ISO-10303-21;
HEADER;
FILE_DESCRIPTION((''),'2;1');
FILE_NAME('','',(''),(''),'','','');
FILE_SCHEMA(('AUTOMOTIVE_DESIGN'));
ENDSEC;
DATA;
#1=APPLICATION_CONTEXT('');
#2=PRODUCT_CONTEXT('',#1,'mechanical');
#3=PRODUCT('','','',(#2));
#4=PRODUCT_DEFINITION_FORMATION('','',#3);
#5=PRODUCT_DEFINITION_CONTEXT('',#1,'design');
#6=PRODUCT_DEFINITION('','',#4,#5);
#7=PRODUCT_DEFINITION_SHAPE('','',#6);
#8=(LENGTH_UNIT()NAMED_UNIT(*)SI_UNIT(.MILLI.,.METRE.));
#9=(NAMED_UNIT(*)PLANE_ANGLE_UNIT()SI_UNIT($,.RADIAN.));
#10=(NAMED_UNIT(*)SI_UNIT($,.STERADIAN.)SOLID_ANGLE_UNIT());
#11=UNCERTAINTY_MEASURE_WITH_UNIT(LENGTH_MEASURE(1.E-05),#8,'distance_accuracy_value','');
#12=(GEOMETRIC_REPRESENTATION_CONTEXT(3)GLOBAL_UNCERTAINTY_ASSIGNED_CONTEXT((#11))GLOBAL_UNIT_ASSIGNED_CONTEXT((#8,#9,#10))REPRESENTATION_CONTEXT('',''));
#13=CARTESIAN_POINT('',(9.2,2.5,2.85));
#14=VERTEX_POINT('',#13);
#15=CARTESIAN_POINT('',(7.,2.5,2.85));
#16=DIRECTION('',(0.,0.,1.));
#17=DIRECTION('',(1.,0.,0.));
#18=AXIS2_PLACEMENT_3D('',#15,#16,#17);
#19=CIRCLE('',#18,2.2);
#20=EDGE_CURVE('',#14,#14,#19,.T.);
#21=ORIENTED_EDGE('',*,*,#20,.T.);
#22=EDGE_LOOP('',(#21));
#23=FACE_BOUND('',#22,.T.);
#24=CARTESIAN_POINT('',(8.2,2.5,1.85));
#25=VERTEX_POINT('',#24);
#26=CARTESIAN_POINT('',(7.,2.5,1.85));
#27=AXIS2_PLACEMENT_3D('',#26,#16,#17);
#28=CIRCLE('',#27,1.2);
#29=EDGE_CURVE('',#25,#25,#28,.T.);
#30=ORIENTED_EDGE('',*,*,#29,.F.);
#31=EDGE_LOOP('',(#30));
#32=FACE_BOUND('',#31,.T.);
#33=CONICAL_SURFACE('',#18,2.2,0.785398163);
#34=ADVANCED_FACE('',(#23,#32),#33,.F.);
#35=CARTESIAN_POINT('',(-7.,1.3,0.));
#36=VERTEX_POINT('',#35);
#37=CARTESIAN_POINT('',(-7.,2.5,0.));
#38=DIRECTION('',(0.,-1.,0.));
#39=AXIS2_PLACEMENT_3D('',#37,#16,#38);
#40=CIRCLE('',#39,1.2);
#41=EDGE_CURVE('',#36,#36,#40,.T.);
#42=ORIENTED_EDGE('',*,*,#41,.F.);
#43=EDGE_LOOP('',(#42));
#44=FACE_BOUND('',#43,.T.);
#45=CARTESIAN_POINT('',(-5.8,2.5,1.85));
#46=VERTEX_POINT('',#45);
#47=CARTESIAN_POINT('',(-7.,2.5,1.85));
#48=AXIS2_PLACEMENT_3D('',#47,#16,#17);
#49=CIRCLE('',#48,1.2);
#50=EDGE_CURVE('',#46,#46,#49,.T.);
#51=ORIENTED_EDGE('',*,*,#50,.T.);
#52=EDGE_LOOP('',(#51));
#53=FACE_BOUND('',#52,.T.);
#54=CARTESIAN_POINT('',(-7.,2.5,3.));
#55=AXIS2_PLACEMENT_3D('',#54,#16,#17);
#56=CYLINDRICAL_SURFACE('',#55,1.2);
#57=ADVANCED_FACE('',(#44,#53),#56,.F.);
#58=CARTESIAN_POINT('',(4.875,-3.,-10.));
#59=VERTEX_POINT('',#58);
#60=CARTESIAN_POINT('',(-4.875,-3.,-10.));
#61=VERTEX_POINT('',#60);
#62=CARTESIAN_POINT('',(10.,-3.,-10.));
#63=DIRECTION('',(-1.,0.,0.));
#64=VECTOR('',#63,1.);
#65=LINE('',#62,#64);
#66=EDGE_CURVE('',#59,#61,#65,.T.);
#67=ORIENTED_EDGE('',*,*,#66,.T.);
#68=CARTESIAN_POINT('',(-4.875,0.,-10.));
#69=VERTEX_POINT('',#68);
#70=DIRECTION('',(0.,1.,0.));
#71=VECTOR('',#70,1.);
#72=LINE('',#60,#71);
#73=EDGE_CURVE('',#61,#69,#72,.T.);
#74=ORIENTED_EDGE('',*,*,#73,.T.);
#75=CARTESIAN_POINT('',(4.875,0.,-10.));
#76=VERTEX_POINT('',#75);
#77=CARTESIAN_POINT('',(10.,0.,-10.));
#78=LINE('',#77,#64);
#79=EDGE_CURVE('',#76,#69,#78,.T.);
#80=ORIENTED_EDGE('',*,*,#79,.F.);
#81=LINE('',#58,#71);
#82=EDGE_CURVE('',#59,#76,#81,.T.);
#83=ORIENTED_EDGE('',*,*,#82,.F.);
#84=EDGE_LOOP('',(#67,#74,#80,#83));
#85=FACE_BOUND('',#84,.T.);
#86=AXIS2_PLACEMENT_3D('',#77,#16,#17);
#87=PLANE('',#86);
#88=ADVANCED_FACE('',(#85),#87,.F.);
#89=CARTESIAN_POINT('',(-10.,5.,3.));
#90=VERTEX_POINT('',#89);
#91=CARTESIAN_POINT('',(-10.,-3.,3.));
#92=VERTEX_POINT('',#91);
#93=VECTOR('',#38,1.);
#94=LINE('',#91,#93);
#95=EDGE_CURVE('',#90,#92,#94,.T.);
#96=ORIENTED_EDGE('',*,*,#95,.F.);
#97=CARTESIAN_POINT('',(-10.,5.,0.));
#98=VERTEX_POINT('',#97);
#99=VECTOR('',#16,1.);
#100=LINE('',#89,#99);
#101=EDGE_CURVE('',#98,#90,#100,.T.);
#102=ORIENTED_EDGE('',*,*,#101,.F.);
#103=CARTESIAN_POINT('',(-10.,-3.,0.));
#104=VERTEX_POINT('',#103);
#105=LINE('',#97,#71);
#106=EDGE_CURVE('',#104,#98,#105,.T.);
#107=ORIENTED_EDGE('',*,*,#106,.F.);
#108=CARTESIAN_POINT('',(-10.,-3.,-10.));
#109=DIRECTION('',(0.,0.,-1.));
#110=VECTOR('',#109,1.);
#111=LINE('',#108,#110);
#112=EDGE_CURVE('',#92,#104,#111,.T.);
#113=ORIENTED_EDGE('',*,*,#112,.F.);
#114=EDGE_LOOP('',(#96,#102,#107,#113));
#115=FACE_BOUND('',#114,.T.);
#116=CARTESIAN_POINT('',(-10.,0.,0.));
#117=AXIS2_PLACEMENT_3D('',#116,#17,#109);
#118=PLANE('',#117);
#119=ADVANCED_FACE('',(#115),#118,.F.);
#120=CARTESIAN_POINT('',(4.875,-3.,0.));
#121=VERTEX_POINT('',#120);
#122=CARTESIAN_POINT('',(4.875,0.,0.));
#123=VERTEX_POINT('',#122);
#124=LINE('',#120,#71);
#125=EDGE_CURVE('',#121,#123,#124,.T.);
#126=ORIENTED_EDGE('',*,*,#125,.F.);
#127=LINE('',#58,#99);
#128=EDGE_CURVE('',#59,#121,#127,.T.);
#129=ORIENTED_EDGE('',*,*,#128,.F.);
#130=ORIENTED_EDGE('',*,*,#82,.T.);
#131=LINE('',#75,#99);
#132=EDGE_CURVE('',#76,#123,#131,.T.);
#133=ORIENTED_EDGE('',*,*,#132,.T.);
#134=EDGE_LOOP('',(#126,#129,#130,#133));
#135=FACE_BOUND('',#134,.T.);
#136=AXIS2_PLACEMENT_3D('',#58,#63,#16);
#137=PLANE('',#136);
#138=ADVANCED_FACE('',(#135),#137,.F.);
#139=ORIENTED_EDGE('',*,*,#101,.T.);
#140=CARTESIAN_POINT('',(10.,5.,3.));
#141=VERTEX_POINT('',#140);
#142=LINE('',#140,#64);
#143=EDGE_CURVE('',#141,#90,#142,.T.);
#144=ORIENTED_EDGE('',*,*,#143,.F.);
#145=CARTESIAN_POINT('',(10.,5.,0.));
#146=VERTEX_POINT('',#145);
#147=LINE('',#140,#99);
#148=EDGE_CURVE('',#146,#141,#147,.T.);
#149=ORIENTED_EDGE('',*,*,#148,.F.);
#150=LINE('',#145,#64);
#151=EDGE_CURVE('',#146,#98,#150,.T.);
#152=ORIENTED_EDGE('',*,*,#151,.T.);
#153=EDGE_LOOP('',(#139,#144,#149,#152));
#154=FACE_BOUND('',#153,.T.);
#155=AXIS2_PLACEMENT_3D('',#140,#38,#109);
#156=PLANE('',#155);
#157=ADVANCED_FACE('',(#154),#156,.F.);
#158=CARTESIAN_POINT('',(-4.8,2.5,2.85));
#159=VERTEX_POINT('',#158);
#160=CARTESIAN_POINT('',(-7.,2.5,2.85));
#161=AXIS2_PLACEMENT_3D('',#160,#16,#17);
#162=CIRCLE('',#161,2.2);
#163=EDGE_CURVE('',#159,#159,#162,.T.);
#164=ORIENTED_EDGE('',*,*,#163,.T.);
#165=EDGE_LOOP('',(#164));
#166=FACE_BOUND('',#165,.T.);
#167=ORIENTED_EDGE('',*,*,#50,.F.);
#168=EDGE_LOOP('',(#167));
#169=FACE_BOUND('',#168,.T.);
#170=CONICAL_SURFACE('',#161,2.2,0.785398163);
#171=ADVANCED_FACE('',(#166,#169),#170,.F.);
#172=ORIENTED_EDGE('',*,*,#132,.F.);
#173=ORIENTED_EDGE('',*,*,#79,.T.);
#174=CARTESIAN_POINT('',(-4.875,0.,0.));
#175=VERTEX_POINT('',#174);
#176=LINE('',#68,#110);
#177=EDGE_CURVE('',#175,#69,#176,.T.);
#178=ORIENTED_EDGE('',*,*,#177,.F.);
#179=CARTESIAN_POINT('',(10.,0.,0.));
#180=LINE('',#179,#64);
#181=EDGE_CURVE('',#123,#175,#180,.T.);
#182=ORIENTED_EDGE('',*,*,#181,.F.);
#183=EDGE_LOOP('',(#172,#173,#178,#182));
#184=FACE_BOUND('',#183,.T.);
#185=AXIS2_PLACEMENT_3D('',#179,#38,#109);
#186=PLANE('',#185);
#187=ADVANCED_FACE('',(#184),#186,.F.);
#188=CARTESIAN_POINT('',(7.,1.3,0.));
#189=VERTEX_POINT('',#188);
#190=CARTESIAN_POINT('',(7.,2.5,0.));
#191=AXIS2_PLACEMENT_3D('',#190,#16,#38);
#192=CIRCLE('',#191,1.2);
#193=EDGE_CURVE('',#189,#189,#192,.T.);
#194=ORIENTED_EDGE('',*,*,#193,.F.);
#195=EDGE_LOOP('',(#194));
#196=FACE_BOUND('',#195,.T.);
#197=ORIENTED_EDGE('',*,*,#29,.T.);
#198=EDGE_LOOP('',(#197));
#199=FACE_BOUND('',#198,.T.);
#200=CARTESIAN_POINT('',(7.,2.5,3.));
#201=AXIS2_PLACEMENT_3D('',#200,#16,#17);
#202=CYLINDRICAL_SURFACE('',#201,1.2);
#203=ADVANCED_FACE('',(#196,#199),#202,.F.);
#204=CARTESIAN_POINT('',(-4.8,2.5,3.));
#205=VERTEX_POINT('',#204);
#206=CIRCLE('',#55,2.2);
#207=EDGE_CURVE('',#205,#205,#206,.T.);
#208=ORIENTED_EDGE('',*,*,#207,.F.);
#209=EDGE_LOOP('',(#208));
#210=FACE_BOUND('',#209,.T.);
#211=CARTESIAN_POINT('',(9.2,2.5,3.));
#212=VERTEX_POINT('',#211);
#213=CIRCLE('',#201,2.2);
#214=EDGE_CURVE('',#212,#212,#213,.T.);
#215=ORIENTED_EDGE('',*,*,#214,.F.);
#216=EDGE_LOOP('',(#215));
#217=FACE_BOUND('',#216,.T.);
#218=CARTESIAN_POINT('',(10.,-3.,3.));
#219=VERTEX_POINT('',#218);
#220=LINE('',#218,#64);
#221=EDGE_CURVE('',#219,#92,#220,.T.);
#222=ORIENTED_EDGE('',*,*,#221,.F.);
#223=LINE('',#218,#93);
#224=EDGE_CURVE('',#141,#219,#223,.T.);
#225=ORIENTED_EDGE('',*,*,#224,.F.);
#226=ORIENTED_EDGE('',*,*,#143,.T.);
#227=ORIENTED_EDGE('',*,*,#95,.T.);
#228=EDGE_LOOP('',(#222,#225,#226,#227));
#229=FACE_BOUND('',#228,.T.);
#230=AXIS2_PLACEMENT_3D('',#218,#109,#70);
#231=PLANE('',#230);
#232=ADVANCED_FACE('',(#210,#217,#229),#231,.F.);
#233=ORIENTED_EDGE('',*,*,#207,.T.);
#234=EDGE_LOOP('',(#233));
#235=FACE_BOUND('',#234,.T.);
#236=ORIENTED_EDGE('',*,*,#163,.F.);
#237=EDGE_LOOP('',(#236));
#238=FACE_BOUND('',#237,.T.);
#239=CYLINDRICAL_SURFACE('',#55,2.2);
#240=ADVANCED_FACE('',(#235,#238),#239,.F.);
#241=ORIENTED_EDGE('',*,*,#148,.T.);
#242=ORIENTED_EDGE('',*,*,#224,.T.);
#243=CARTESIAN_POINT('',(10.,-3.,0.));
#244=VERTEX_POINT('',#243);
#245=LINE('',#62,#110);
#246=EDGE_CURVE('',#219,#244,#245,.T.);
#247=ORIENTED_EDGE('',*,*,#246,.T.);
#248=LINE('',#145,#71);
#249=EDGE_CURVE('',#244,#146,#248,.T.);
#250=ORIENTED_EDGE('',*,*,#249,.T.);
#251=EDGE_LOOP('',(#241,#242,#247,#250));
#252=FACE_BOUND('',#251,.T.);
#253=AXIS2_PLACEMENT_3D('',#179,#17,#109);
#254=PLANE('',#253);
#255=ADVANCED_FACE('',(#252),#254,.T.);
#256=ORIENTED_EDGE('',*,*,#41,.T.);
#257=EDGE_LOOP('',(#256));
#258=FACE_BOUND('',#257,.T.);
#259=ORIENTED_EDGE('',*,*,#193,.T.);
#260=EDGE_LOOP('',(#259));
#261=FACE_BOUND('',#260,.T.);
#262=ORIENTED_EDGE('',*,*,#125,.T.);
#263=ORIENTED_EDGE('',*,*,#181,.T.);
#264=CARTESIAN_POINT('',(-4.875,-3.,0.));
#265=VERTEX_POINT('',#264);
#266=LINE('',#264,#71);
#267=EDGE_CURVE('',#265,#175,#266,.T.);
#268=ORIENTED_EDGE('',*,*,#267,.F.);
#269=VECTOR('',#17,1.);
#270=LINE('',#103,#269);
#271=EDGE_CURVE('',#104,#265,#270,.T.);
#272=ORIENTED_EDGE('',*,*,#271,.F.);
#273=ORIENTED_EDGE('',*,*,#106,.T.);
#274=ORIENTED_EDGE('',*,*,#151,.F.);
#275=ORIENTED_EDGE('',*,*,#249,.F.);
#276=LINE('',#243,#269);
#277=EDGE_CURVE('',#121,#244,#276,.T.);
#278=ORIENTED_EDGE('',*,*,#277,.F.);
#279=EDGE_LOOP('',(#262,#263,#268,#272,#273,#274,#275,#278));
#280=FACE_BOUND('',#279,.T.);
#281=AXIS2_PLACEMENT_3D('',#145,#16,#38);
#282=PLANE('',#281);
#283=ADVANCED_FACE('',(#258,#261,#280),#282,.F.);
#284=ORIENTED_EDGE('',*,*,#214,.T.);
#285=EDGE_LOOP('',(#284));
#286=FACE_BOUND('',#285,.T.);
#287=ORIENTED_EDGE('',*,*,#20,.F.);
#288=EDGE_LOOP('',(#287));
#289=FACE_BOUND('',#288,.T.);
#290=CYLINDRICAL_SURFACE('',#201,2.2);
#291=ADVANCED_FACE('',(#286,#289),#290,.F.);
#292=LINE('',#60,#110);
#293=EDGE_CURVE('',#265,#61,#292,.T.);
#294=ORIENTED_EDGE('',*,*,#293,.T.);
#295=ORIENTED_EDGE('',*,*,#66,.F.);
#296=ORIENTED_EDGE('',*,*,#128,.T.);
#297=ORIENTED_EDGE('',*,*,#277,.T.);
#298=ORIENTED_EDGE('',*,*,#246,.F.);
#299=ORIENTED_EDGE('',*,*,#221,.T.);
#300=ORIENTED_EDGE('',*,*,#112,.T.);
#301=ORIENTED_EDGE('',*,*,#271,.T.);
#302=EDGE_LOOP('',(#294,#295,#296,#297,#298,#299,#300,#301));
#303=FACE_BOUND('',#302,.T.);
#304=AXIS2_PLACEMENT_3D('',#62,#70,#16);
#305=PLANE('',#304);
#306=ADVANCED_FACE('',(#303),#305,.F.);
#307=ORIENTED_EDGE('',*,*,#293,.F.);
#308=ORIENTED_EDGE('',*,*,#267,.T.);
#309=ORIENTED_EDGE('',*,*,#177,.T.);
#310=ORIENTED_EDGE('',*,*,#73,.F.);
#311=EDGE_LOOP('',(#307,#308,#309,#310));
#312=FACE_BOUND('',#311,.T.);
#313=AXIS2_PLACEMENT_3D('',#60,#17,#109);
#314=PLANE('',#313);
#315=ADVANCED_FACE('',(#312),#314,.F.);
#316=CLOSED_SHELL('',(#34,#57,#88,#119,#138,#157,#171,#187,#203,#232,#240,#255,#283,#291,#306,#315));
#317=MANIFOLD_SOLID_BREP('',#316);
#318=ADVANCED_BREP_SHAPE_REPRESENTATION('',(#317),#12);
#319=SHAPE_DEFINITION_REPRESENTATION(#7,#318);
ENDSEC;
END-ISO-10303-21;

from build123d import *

# Parameters (mm, degrees)
BOSS_EXTRUDE1_DEPTH                            = 10
SKETCH2_W                                      = 5.125
SKETCH2_H                                      = 10
CUT_EXTRUDE1_DEPTH                             = 4
CSK_FOR_M2_FLAT_HEAD_MACHINE_SCREW1_AT_2_COUNT = 2
CSK_FOR_M2_FLAT_HEAD_MACHINE_SCREW1_AT_2_PITCH = 14


with BuildPart() as part:
    # Sketch1 → Boss-Extrude1 (new body, symmetric)
    with BuildSketch(Plane(origin=(0, 0, 0), x_dir=(0, 0, -1), z_dir=(1, 0, 0))):
        Polygon((0, 0), (10, 0), (10, -3), (-3, -3), (-3, 5), (0, 5), align=None)
    extrude(amount=BOSS_EXTRUDE1_DEPTH, both=True)

    # Sketch2 → Cut-Extrude1 (cut, through all)
    with BuildSketch(Plane(origin=(0, 0, 0), x_dir=(1, 0, 0), z_dir=(0, 1, 0))):
        with Locations((-7.4375, 5)):
            Rectangle(SKETCH2_W, SKETCH2_H)
        with Locations((7.4375, 5)):
            Rectangle(SKETCH2_W, SKETCH2_H)
    extrude(amount=-CUT_EXTRUDE1_DEPTH, mode=Mode.SUBTRACT)

    # Sketch4 → CSK for M2 Flat Head Machine Screw1 (revolve, cut)
    with BuildSketch(Plane(origin=(7, 2.5, 3), x_dir=(0, -1, 0), z_dir=(1, 0, 0))):
        Polygon((0, 0), (0, 20.721032743), (1.2, 20), (1.2, 1.15), (2.2, 0.15), (2.2, 0), align=None)
    csk_for_m2_flat_head_machine_screw1 = revolve(axis=Axis((7, 2.5, 9.35), (0, 0, -1)), mode=Mode.SUBTRACT)

    # CSK for M2 Flat Head Machine Screw1 at 2: CSK for M2 Flat Head Machine Screw1 ×2
    with Locations(*[(-i * CSK_FOR_M2_FLAT_HEAD_MACHINE_SCREW1_AT_2_PITCH, 0, 0) for i in range(1, CSK_FOR_M2_FLAT_HEAD_MACHINE_SCREW1_AT_2_COUNT)]):
        add(csk_for_m2_flat_head_machine_screw1, mode=Mode.SUBTRACT)


solid = part.part
